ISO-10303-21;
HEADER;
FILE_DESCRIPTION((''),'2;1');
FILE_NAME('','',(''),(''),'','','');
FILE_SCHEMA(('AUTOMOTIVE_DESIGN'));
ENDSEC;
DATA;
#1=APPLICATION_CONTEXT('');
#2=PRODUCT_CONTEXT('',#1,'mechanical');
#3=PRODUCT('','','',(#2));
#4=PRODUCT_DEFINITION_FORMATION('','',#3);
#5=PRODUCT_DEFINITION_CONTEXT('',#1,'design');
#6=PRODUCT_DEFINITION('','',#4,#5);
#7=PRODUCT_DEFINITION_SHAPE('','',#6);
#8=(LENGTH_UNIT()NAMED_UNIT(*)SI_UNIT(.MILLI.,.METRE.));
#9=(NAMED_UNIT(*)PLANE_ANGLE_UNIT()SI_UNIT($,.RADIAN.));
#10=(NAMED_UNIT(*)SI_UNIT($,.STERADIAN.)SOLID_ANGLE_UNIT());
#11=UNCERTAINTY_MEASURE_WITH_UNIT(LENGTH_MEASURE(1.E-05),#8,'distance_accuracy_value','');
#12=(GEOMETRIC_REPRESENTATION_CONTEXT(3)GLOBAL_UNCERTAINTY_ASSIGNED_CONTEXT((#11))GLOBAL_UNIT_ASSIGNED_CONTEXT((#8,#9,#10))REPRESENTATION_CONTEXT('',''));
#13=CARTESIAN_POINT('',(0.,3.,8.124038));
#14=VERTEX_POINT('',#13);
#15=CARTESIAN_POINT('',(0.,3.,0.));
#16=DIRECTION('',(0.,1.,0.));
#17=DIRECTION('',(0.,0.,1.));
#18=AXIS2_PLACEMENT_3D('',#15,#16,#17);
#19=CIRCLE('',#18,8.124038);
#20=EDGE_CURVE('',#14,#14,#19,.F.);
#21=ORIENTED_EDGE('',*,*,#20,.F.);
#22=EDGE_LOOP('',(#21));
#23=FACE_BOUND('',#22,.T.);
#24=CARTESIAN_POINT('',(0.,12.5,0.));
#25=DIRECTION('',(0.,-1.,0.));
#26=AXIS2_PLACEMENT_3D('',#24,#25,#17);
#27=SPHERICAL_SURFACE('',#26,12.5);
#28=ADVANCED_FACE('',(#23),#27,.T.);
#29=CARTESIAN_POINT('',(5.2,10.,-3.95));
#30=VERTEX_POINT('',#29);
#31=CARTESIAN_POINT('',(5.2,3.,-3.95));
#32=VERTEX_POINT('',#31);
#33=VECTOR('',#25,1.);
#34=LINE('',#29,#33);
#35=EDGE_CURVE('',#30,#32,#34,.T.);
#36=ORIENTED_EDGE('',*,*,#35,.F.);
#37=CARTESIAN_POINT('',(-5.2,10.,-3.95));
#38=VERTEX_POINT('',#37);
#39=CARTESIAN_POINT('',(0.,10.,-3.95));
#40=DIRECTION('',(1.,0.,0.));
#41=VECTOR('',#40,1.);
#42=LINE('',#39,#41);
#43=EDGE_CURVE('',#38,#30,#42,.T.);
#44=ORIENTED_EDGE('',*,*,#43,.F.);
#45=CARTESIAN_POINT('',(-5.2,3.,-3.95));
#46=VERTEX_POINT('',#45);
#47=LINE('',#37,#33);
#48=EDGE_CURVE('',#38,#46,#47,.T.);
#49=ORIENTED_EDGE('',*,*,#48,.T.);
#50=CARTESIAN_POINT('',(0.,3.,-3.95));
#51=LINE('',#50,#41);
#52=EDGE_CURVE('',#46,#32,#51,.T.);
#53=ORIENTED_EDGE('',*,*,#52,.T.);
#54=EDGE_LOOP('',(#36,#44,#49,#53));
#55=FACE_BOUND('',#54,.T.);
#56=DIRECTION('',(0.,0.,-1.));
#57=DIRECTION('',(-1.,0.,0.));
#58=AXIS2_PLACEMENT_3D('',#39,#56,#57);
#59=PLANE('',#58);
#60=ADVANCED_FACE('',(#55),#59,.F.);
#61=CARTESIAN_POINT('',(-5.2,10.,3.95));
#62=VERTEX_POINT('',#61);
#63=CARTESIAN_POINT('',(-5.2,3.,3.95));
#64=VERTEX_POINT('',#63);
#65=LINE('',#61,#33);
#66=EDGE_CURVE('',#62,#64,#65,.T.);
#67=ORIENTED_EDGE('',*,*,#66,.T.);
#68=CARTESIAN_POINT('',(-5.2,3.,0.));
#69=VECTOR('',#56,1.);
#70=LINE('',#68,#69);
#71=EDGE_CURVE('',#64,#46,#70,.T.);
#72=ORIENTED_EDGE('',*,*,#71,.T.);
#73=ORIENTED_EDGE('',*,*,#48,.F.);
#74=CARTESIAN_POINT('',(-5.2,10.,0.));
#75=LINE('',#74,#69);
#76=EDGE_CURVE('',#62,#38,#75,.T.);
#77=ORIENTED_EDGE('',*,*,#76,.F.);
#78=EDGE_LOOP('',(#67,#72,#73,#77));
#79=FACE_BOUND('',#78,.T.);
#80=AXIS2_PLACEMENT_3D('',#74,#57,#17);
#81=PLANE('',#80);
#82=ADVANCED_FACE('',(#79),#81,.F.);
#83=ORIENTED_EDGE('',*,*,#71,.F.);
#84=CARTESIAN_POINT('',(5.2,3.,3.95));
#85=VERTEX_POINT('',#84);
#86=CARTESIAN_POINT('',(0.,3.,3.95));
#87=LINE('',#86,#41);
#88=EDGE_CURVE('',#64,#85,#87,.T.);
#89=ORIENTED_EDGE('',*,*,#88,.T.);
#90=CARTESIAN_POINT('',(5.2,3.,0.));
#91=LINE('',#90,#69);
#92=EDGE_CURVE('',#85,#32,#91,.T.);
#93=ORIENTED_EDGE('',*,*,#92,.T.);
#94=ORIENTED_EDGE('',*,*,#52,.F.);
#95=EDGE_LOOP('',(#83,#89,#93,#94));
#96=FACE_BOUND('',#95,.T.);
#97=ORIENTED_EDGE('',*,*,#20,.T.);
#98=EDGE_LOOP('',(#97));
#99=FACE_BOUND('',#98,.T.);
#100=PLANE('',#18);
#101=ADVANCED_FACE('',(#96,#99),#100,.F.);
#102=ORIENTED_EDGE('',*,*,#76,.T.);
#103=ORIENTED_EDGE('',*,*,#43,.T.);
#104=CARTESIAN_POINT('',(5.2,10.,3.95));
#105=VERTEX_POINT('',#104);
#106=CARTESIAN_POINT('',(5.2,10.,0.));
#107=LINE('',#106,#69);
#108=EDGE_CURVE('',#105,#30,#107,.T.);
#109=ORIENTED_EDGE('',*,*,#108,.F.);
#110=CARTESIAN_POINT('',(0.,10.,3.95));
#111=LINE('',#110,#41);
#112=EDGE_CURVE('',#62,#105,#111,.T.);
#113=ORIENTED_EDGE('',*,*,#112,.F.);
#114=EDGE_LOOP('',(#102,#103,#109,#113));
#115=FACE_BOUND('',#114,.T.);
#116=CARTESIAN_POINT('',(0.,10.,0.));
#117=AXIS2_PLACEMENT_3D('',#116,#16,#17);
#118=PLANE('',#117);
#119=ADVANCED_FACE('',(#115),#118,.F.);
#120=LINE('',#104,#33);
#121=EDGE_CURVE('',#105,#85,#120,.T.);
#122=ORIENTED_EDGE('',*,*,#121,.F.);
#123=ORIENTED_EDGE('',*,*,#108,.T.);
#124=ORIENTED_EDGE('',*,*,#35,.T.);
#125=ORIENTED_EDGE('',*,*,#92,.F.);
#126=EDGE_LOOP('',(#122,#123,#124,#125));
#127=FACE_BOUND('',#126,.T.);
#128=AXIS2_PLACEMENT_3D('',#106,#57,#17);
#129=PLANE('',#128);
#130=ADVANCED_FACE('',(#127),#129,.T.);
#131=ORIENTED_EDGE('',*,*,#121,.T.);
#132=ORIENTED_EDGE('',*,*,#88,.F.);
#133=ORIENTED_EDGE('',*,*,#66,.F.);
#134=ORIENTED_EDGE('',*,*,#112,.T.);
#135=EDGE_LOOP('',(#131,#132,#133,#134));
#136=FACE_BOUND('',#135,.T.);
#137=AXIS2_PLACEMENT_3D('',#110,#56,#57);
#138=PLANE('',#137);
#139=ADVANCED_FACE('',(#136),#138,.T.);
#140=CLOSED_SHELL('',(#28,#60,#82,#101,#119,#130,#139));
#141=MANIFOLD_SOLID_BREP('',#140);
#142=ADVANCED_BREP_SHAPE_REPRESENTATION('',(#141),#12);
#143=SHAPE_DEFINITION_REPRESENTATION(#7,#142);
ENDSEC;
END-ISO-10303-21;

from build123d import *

# Parameters (mm, degrees)
ESQUISSE3_W             = 10.4
ESQUISSE3_H             = 7.9
ESQUISSE3_W_2           = 10
ESQUISSE3_H_2           = 7.5
ENL_V_MAT_EXTRU_1_DEPTH = 10
ESQUISSE5_W             = 20
ESQUISSE5_H             = 20
ENL_V_MAT_EXTRU_2_DEPTH = 3


with BuildPart() as part:
    # Esquisse2 → Révolution1 (revolve)
    with BuildSketch(Plane(origin=(0, 0, 0), x_dir=(0, 0, -1), z_dir=(1, 0, 0))):
        with BuildLine():
            Line((0, 0), (0, 25))
            ThreePointArc((0, 25), (12.5, 12.5), (0, 0))
        make_face()
    revolve(axis=Axis((0, 0, 0), (0, 1, 0)))

    # Esquisse3 → Enlèv. mat.-Extru.1 (cut)
    # profile 1 of 2: a face of its own
    with BuildSketch(Plane(origin=(0, 0, 0), x_dir=(1, 0, 0), z_dir=(0, 1, 0))):
        Rectangle(ESQUISSE3_W, ESQUISSE3_H)
        Rectangle(ESQUISSE3_W_2, ESQUISSE3_H_2, mode=Mode.SUBTRACT)
    # profile 2 of 2: a face of its own
    with BuildSketch(Plane(origin=(0, 0, 0), x_dir=(1, 0, 0), z_dir=(0, 1, 0))):
        Rectangle(ESQUISSE3_W_2, ESQUISSE3_H_2)
    extrude(amount=ENL_V_MAT_EXTRU_1_DEPTH, mode=Mode.SUBTRACT)

    # Esquisse5 → Enlèv. mat.-Extru.2 (cut)
    with BuildSketch(Plane(origin=(0, 0, 0), x_dir=(1, 0, 0), z_dir=(0, 1, 0))):
        Rectangle(ESQUISSE5_W, ESQUISSE5_H)
    extrude(amount=ENL_V_MAT_EXTRU_2_DEPTH, mode=Mode.SUBTRACT)


solid = part.part
